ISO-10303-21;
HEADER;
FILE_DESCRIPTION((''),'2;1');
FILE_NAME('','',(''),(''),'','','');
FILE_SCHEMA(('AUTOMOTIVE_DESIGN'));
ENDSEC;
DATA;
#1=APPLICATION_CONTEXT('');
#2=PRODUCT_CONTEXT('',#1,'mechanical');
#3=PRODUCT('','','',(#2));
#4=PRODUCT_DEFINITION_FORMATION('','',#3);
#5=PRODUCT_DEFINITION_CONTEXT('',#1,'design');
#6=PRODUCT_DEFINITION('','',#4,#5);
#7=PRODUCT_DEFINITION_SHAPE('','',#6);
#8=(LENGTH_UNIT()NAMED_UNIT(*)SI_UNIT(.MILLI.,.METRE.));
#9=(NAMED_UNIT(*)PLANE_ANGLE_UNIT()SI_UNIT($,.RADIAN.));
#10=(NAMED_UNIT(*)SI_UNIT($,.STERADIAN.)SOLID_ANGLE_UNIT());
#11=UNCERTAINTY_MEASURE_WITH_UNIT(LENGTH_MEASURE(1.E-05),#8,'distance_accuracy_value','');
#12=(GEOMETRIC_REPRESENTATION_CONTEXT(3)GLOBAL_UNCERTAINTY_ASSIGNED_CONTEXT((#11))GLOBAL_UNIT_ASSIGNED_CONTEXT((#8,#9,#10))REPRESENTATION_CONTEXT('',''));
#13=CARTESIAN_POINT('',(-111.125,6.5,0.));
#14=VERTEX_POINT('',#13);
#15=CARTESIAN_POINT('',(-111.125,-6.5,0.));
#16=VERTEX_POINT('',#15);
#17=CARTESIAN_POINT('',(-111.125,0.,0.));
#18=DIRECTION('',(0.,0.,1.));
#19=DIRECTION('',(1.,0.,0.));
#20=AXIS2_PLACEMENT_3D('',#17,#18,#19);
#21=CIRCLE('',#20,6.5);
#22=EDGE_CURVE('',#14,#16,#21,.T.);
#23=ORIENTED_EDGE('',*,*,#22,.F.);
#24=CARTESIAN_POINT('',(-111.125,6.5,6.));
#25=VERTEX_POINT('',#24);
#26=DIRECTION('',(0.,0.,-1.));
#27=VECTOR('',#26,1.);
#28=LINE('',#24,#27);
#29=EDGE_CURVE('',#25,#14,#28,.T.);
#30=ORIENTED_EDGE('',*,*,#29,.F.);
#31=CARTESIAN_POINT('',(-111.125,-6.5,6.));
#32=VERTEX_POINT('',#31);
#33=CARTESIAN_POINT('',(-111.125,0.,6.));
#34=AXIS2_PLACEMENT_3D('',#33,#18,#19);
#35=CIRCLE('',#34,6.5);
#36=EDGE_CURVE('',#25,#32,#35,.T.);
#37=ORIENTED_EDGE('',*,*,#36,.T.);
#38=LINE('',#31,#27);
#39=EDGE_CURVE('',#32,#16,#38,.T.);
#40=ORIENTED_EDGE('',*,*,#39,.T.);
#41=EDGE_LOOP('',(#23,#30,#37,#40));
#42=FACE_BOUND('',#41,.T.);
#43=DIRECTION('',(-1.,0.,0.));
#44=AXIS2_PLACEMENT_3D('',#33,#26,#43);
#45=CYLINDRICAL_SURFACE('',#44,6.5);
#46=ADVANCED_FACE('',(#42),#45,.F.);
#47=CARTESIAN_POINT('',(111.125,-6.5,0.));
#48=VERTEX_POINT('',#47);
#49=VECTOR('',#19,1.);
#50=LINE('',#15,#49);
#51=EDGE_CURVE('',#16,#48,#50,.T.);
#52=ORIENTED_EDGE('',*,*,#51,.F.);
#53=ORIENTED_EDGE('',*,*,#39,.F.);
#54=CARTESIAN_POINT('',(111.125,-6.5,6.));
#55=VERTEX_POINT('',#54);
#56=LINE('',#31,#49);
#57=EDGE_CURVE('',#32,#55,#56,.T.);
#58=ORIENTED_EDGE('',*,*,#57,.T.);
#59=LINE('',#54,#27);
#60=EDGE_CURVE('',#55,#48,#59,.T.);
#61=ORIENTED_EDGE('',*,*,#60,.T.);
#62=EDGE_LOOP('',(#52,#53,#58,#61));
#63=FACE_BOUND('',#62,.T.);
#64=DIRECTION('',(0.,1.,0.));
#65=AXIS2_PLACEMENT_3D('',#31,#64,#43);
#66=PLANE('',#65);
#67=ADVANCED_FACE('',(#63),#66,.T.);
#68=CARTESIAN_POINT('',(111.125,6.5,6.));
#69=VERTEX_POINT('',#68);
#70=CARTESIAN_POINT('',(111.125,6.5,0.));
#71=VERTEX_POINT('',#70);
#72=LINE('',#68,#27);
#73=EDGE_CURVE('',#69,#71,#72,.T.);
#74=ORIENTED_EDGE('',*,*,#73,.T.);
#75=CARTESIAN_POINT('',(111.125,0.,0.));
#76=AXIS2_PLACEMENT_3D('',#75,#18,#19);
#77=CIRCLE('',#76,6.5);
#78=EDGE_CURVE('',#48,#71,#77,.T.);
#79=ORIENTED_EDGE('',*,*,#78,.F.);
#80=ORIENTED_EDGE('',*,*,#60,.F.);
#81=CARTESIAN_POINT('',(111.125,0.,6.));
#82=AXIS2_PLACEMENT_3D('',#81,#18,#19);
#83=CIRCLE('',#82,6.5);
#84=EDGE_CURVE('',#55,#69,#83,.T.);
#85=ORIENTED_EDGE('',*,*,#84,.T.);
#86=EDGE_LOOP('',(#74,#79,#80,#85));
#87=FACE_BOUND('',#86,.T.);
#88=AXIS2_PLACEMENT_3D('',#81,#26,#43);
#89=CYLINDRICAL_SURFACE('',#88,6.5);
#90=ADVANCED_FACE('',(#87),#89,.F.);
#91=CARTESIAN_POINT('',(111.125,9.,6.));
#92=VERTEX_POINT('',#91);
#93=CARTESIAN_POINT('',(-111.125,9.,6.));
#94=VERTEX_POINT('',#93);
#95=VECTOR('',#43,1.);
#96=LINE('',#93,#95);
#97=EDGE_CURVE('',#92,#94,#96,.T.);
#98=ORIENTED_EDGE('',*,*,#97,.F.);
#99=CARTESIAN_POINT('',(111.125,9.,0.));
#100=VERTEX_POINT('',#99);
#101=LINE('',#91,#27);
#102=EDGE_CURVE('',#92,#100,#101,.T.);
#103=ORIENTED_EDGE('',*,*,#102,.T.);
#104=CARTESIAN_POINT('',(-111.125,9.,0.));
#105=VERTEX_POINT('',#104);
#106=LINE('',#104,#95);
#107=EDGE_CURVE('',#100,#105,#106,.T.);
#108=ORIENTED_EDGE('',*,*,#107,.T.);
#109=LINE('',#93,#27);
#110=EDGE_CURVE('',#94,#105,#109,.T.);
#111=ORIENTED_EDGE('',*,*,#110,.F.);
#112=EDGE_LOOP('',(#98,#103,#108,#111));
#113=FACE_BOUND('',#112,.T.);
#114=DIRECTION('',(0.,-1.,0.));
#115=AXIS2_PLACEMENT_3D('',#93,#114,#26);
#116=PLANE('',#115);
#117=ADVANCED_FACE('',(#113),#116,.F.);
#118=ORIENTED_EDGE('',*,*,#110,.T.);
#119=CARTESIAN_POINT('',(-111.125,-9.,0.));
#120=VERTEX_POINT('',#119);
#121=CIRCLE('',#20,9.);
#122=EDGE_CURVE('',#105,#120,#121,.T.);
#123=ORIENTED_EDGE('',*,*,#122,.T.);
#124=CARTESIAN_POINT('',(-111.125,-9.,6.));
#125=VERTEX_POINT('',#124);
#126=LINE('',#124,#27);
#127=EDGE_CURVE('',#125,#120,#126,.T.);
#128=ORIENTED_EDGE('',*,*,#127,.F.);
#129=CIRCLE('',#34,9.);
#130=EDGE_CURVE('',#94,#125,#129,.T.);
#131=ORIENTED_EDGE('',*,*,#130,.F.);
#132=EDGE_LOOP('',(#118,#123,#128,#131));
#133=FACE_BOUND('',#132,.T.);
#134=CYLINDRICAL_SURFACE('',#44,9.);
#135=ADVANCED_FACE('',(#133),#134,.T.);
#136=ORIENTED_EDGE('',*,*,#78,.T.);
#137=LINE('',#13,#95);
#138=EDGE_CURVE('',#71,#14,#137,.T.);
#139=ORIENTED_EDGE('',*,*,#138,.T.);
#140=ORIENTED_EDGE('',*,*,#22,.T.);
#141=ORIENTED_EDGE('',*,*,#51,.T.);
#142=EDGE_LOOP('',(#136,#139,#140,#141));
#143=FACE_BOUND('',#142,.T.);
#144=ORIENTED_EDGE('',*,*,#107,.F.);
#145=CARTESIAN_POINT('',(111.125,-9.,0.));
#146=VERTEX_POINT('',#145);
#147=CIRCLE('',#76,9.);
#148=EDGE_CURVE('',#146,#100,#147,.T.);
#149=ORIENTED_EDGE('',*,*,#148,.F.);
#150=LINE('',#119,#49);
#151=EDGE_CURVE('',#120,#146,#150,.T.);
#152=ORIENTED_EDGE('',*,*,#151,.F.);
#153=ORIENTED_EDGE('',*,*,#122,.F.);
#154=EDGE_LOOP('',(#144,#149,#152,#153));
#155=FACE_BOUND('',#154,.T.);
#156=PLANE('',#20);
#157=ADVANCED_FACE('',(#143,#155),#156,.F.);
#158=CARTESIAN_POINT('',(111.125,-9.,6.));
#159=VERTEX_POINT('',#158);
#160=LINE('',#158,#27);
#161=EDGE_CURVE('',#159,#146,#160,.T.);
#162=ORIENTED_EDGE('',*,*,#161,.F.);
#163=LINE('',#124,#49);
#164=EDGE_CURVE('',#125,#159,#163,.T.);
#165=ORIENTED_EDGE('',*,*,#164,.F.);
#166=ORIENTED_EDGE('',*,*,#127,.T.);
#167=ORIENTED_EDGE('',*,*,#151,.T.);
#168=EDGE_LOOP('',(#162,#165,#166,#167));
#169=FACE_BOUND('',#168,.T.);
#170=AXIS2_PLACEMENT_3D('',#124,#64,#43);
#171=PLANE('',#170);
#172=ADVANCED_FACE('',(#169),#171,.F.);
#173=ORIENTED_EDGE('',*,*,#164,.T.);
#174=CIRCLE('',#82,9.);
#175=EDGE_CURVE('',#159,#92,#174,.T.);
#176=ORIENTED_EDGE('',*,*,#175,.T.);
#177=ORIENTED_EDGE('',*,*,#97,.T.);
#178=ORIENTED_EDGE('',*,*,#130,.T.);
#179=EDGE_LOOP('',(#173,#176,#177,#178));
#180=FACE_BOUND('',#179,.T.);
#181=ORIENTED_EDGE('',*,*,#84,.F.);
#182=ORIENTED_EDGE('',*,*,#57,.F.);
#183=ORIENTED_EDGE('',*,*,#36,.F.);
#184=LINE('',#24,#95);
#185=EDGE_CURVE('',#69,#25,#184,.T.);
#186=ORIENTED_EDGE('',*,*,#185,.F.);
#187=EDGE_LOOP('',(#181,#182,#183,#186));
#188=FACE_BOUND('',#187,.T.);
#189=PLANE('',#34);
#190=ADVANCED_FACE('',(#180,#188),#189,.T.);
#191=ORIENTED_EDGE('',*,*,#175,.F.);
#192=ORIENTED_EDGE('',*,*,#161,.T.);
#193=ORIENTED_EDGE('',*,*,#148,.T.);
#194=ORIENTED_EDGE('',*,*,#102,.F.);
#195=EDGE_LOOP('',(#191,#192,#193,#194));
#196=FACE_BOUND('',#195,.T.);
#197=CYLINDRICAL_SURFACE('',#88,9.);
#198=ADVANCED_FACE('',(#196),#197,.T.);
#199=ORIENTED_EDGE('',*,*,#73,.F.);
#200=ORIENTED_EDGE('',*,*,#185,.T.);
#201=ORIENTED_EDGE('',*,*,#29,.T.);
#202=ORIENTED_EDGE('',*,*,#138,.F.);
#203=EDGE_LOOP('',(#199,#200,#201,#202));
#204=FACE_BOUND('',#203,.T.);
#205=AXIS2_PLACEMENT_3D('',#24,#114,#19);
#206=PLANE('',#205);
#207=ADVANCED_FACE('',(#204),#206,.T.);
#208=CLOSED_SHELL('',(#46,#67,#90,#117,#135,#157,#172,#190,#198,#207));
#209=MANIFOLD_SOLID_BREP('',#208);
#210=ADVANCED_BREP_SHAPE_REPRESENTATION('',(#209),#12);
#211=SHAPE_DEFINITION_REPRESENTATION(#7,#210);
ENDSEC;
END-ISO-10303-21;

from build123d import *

# Parameters (mm, degrees)
BOSS_EXTRUDE1_DEPTH = 6


with BuildPart() as part:
    # Sketch2 → Boss-Extrude1 (new body)
    with BuildSketch(Plane.XY):
        with BuildLine():
            Line((-111.125, 9), (111.125, 9))
            ThreePointArc((111.125, 9), (120.125, 0), (111.125, -9))
            Line((111.125, -9), (-111.125, -9))
            ThreePointArc((-111.125, -9), (-120.125, 0), (-111.125, 9))
        make_face()
        with BuildLine():
            Line((-111.125, 6.5), (111.125, 6.5))
            ThreePointArc((111.125, 6.5), (117.625, 0), (111.125, -6.5))
            Line((111.125, -6.5), (-111.125, -6.5))
            ThreePointArc((-111.125, -6.5), (-117.625, 0), (-111.125, 6.5))
        make_face(mode=Mode.SUBTRACT)
    extrude(amount=BOSS_EXTRUDE1_DEPTH)


solid = part.part
